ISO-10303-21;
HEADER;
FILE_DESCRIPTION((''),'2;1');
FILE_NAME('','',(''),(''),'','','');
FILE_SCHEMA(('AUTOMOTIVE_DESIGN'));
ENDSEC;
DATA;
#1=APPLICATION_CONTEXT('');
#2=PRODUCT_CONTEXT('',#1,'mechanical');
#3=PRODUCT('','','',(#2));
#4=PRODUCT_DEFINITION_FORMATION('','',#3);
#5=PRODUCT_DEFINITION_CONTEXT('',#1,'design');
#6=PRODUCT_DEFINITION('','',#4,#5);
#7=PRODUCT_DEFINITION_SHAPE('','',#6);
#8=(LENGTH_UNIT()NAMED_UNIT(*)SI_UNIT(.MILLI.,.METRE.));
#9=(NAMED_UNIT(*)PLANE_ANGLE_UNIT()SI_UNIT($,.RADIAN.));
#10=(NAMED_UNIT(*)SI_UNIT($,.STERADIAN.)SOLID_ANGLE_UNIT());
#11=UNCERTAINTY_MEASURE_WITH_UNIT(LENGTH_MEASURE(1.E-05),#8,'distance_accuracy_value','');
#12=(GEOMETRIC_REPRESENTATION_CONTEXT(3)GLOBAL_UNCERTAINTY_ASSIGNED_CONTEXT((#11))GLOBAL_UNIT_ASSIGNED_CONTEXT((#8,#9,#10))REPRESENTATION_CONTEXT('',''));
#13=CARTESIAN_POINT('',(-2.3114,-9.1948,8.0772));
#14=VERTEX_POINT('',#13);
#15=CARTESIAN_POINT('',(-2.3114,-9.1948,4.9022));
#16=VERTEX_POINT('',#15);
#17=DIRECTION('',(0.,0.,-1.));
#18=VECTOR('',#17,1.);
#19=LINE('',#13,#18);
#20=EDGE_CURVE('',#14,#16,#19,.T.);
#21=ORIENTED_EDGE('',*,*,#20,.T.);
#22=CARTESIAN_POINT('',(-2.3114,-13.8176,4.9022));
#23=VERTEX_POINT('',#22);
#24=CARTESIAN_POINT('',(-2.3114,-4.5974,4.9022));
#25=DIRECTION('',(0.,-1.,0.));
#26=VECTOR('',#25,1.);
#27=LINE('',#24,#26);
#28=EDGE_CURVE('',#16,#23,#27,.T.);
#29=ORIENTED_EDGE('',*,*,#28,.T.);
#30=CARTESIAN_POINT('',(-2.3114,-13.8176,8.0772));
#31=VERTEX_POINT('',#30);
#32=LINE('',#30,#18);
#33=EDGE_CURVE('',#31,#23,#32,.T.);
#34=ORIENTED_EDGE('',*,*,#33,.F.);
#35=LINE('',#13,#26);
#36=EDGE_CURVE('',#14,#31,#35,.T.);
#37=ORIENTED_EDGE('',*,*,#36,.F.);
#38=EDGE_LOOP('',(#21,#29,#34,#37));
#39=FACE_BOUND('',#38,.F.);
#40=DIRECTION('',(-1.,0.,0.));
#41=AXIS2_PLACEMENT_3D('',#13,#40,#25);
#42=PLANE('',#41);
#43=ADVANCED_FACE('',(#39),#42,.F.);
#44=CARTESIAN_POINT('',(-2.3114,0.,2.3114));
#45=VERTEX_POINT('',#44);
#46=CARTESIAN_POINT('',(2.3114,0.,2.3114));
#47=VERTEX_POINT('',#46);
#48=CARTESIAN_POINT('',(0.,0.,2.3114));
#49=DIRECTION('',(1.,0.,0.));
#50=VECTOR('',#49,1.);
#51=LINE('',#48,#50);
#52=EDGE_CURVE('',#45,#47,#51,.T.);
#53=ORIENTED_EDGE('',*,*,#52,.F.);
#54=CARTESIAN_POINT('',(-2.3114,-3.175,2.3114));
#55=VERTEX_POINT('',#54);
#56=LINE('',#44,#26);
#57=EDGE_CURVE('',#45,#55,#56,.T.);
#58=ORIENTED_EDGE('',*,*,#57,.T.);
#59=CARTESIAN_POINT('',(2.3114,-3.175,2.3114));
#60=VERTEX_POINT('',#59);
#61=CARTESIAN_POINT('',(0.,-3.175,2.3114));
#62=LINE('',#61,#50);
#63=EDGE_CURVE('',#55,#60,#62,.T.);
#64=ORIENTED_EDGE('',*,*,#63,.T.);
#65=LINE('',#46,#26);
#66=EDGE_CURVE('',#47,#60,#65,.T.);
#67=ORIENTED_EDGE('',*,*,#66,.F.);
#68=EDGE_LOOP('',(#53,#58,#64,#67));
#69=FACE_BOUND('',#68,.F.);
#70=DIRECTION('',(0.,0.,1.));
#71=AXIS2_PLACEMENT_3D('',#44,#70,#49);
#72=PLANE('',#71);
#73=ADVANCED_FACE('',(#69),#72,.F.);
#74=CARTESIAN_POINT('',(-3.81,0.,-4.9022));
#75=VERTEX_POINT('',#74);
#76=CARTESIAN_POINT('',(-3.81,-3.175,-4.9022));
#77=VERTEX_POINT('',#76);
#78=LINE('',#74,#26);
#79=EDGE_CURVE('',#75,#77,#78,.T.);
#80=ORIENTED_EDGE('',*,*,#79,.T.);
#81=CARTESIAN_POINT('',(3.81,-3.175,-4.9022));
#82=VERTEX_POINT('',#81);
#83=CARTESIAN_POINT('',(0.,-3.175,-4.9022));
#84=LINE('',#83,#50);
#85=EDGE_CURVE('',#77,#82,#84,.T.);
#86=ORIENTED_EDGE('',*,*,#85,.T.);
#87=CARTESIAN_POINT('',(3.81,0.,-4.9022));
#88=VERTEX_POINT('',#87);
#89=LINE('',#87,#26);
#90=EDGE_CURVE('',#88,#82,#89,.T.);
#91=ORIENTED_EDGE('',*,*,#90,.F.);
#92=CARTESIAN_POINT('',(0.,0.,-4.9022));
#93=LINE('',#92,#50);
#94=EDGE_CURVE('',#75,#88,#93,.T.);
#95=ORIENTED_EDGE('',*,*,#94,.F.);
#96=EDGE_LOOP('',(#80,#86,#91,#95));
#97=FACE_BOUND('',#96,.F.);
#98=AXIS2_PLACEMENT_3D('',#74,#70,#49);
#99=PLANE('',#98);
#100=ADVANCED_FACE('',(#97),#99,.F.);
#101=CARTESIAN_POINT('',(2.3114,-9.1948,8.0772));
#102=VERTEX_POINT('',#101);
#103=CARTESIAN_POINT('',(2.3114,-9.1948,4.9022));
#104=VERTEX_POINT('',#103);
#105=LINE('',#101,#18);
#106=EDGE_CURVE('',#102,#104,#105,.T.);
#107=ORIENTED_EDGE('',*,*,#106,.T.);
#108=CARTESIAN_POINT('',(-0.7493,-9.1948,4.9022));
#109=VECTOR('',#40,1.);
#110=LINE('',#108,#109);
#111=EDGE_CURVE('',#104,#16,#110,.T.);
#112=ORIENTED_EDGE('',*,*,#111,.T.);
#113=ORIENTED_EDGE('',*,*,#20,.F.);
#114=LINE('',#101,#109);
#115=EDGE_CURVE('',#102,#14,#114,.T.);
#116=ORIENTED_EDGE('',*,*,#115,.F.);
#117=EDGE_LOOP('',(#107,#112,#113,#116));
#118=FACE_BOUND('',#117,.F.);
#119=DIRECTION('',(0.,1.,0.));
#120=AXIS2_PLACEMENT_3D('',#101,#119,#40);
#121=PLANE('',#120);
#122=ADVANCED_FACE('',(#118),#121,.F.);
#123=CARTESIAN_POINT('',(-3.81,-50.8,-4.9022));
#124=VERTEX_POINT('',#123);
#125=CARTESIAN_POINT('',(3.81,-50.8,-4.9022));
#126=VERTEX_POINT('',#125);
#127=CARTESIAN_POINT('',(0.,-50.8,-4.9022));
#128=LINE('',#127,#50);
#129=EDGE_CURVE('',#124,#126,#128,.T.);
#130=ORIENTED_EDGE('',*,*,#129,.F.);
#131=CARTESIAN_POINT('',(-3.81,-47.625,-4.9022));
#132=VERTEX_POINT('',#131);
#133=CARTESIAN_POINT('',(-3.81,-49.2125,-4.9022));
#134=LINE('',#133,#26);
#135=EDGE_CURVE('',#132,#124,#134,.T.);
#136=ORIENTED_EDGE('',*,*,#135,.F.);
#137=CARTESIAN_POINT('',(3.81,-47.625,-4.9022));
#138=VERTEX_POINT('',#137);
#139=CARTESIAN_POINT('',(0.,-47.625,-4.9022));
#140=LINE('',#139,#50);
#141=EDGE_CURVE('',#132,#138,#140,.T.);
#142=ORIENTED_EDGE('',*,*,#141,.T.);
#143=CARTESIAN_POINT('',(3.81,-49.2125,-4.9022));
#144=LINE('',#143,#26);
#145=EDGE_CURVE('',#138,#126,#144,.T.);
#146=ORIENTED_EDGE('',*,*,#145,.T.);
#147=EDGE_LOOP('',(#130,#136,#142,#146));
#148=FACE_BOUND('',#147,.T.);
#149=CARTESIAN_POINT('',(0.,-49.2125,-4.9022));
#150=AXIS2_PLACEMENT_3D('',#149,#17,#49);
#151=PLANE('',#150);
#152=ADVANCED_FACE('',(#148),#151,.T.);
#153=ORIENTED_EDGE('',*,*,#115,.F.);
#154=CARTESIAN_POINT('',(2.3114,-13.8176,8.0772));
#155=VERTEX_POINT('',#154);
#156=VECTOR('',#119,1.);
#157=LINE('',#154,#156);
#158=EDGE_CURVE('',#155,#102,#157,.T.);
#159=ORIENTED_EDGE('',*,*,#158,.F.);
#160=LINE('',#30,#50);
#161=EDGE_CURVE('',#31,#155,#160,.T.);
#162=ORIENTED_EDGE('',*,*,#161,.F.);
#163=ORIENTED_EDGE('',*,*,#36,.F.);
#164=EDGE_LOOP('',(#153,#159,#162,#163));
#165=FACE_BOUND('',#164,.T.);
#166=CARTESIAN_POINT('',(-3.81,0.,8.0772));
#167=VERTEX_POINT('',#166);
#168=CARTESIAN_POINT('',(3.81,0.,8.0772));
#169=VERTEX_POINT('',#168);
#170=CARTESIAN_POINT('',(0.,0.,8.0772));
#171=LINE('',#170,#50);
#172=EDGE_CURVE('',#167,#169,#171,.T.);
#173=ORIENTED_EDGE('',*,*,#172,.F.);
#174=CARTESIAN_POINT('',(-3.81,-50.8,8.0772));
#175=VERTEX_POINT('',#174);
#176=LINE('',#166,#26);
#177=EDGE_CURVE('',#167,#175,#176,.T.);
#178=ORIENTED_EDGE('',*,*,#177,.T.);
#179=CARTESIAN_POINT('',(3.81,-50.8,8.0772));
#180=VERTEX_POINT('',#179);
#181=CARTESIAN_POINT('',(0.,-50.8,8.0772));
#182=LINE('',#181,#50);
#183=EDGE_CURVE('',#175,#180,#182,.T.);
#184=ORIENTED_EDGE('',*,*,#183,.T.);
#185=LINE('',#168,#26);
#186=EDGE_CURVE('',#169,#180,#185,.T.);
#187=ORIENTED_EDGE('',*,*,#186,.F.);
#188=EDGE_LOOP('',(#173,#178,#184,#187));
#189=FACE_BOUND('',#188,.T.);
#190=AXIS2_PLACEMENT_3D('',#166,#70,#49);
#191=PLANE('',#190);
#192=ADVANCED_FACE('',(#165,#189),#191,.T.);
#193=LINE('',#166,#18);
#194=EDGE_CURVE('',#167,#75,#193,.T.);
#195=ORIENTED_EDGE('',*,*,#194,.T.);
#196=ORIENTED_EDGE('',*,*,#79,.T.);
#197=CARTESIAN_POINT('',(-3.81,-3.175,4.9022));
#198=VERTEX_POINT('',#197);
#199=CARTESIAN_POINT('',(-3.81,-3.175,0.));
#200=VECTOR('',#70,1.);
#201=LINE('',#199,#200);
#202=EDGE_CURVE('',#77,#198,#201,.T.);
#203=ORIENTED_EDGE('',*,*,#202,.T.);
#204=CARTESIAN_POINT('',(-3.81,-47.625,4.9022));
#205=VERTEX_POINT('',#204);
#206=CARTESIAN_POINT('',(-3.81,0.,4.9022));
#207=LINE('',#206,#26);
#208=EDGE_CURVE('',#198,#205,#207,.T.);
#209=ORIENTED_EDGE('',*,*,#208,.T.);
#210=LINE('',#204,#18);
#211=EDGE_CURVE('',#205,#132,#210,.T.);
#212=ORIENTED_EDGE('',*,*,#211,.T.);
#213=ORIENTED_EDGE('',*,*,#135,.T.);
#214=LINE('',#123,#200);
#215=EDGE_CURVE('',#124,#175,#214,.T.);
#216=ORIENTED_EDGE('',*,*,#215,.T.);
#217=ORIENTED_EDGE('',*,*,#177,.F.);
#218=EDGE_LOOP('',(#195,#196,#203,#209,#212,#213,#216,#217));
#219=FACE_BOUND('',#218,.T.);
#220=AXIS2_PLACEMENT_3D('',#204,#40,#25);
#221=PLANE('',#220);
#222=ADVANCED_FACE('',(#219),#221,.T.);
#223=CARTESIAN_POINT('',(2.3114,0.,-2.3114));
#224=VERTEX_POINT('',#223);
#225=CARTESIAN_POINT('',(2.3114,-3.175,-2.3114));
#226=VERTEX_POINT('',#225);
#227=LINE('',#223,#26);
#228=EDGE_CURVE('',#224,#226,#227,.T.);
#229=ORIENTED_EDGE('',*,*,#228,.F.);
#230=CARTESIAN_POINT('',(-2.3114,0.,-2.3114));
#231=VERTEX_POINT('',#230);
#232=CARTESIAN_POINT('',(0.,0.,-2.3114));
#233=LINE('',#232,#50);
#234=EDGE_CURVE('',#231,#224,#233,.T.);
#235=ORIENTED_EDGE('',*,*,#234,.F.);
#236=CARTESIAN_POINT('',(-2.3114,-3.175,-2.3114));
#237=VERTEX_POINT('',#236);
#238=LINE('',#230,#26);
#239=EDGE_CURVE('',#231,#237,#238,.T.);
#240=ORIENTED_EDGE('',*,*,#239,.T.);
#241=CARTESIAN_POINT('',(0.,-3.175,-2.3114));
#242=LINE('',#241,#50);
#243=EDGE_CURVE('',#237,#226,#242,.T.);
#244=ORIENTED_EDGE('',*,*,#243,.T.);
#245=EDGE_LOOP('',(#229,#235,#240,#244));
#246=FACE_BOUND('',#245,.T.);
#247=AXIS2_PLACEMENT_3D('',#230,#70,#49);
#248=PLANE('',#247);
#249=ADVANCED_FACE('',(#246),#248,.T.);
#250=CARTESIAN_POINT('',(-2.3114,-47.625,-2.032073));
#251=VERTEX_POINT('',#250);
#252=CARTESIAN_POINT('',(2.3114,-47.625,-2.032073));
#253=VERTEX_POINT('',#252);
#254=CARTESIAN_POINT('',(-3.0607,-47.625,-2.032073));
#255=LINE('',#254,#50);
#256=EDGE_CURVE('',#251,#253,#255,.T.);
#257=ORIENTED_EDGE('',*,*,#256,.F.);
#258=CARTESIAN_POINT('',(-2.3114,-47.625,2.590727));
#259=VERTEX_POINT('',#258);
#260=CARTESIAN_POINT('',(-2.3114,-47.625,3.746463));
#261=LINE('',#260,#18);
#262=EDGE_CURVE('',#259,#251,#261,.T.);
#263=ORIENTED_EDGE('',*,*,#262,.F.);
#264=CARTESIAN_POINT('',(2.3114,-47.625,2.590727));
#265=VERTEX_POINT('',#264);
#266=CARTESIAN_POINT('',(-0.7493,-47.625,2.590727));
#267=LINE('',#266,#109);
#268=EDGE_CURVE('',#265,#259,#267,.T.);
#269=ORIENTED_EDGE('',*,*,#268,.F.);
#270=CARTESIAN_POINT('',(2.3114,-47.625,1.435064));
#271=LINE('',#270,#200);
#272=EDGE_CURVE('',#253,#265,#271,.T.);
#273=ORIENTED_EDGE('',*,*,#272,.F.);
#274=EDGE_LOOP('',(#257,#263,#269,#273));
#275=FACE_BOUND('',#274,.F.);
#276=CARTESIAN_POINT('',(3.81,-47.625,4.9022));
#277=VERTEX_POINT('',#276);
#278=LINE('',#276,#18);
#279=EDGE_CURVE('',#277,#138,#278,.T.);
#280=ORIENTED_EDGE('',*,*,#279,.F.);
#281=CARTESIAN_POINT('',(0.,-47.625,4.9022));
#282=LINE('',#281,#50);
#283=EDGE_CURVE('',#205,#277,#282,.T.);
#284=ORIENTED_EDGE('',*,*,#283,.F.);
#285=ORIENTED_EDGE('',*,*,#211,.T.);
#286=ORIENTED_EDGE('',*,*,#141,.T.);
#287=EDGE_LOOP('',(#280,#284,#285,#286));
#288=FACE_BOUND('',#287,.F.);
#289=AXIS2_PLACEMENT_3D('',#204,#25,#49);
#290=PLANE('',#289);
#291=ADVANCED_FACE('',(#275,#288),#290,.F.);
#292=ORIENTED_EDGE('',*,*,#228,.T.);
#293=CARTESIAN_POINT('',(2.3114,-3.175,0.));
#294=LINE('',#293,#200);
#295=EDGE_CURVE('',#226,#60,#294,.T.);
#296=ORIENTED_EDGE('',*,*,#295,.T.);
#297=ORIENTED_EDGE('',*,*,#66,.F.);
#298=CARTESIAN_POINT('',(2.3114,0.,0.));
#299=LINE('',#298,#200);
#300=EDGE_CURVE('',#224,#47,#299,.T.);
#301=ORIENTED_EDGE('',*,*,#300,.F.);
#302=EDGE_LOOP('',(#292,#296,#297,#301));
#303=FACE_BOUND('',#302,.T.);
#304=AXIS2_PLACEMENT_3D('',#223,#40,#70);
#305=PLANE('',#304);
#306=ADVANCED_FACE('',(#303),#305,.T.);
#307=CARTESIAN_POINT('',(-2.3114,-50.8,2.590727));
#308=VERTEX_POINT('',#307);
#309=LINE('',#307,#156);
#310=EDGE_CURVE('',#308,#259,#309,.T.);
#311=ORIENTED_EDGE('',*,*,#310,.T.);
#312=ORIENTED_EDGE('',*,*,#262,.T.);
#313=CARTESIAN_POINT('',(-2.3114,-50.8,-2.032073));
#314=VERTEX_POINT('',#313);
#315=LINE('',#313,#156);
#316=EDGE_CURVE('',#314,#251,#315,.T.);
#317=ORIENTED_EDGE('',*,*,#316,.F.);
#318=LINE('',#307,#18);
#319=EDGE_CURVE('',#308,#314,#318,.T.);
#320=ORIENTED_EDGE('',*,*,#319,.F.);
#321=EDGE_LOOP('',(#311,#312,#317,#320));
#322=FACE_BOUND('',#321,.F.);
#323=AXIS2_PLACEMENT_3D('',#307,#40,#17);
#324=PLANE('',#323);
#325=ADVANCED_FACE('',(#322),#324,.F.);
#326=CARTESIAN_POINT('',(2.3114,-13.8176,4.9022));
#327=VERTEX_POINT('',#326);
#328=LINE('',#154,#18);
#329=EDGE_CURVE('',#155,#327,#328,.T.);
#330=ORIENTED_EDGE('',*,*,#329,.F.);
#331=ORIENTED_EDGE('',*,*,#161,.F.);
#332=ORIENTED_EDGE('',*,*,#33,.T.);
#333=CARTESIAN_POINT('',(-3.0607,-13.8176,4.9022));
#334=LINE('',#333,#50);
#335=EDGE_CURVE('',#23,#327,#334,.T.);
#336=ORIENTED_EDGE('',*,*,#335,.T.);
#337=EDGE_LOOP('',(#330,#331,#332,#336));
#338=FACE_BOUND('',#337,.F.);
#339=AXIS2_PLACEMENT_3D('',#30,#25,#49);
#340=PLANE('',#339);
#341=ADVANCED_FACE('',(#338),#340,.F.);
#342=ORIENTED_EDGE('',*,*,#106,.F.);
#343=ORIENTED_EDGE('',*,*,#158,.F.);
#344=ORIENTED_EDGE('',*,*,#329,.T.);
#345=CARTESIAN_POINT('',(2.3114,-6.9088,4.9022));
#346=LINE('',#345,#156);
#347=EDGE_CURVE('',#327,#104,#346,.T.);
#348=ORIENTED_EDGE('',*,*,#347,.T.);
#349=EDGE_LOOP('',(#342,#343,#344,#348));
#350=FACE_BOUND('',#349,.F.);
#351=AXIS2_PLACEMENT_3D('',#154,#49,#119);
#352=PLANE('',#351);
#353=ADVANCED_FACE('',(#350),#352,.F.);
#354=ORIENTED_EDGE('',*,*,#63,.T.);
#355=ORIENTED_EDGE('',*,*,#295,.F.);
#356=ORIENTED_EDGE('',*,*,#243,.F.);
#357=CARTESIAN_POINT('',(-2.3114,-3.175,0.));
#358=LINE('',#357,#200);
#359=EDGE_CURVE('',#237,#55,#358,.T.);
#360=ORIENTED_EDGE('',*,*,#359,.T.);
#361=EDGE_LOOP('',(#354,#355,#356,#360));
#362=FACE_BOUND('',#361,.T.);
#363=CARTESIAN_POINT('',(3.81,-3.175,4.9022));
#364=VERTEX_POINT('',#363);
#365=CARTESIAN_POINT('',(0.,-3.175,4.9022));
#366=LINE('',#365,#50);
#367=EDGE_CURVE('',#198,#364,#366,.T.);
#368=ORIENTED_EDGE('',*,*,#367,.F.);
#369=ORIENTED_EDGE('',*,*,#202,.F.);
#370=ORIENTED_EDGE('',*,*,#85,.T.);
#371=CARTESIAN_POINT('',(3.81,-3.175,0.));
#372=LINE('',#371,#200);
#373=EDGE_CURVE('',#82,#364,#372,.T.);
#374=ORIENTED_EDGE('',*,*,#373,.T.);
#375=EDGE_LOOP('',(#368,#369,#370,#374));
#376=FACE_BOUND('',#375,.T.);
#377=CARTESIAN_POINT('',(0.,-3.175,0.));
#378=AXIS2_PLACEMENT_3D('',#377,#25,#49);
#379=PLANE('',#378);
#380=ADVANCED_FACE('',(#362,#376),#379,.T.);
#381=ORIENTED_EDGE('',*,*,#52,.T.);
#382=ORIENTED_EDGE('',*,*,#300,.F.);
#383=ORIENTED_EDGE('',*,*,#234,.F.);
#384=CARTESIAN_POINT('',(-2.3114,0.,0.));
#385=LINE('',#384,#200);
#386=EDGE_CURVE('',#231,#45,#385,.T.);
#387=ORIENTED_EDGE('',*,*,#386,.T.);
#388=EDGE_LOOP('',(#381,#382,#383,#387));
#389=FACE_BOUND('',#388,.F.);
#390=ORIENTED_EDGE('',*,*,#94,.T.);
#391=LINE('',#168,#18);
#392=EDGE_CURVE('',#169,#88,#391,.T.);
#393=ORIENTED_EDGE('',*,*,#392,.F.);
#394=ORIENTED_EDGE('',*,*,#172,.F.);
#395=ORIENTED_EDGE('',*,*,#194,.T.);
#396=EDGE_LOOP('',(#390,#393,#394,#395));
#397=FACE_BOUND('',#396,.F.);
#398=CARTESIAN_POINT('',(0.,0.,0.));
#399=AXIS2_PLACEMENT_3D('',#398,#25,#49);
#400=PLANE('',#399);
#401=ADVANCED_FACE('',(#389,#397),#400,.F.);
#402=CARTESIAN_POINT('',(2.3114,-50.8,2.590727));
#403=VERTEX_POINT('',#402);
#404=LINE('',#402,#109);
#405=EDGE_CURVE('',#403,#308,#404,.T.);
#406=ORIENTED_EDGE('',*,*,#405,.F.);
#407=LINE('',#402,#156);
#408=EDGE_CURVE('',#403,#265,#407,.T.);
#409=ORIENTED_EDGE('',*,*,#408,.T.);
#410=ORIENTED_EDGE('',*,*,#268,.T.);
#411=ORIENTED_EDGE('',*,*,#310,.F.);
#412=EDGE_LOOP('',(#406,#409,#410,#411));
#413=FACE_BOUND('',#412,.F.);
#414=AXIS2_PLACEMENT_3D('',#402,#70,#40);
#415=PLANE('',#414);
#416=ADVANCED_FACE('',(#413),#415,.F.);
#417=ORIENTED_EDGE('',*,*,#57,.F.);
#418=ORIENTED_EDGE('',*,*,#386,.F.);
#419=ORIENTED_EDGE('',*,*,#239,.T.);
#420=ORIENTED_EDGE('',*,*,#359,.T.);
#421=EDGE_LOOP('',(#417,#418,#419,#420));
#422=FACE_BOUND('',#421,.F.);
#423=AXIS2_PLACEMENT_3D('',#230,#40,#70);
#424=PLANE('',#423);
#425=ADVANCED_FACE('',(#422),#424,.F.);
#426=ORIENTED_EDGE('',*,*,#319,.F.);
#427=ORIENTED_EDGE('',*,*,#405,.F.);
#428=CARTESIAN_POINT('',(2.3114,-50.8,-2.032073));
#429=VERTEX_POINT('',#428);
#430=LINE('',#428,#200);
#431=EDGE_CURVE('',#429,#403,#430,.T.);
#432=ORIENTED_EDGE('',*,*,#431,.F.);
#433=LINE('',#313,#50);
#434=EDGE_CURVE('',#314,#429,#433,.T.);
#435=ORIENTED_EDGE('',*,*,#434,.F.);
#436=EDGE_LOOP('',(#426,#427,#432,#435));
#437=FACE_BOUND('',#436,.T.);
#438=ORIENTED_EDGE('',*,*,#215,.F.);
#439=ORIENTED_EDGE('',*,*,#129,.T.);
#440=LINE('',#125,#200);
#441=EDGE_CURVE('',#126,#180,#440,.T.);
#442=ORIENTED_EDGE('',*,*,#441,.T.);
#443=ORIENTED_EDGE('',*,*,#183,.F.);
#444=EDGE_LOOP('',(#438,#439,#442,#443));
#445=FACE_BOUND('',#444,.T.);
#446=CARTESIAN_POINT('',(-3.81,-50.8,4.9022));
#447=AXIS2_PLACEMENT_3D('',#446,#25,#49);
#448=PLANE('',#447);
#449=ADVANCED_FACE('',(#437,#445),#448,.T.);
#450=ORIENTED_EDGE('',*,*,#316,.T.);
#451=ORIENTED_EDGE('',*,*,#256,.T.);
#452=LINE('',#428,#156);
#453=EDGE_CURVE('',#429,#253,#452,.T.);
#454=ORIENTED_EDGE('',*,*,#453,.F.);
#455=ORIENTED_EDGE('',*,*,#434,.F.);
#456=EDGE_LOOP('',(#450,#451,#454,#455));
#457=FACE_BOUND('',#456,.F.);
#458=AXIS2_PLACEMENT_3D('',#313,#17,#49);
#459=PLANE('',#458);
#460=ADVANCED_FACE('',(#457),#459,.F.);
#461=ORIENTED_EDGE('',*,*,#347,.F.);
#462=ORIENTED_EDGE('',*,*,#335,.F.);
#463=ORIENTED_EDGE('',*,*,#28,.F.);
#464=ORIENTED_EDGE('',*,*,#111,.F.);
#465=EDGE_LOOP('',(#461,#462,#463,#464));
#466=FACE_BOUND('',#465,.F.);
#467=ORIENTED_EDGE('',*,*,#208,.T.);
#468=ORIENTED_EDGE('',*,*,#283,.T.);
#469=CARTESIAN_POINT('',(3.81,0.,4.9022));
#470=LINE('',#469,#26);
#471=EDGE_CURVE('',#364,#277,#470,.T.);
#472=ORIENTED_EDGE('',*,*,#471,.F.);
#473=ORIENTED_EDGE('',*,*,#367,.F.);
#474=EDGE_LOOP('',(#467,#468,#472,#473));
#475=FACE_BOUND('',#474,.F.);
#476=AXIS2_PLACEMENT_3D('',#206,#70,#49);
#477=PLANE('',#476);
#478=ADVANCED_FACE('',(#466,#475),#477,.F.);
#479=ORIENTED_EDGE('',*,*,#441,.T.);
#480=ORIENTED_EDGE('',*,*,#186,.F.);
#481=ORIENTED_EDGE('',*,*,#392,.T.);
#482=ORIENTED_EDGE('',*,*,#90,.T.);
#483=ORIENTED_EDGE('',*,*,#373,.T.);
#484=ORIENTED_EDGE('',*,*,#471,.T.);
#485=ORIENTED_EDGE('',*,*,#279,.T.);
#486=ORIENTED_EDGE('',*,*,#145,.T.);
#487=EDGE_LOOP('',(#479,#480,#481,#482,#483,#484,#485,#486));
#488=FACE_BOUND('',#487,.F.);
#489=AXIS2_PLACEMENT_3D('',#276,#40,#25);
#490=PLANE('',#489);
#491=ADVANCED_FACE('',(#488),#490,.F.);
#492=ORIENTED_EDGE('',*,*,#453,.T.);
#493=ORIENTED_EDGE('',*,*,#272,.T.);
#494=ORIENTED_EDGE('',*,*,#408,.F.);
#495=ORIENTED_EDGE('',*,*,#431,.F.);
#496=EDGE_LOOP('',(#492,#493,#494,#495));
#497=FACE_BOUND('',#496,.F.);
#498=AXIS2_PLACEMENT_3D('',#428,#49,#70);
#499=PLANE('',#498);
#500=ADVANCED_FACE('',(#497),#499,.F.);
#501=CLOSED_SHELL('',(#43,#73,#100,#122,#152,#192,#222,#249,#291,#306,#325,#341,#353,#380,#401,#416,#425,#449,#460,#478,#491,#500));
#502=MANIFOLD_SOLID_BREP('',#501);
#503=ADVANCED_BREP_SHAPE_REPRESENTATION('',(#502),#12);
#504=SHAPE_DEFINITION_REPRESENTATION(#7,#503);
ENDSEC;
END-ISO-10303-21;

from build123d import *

# Parameters (mm, degrees)
F0_W     = 7.62
F0_H     = 3.175
F1_DEPTH = 50.8
F0_H_2   = 9.8044
F0_W_2   = 4.6228
F0_H_3   = 4.6228
F2_DEPTH = 3.175
F3_W     = 7.62
F3_H     = 3.175
F4_DEPTH = 9.8044
F6_DEPTH = 25.4
F8_DEPTH = 25.4


with BuildPart() as f1:
    # F0 (on Front) → F1 (new body)
    with BuildSketch(Plane.XZ):
        with Locations((0, 6.4897)):
            Rectangle(F0_W, F0_H)
    extrude(amount=F1_DEPTH)

    # F0 (on Front) → F2 (join)
    with BuildSketch(Plane.XZ):
        Rectangle(F0_W, F0_H_2)
        Rectangle(F0_W_2, F0_H_3, mode=Mode.SUBTRACT)
    extrude(amount=F2_DEPTH)

    # F3 (on face) → F4 (join)
    with BuildSketch(Plane(origin=(0, 0, 4.9022), x_dir=(1, 0, 0), z_dir=(0, 0, -1))):
        with Locations((0, 49.2125)):
            Rectangle(F3_W, F3_H)
    extrude(amount=F4_DEPTH)

    # F5 (on face) → F6 (cut)
    with BuildSketch(Plane.XZ.offset(50.8)):
        Polygon((2.3114, -2.032073), (2.3114, 1.5875), (2.3114, 2.590727), (-2.3114, 2.590727), (-2.3114, -2.032073), align=None)
    extrude(amount=-F6_DEPTH, mode=Mode.SUBTRACT)

    # F7 (on face) → F8 (cut)
    with BuildSketch(Plane.XY.offset(8.0772)):
        Polygon((2.3114, -9.1948), (0, -9.1948), (-2.3114, -9.1948), (-2.3114, -13.8176), (2.3114, -13.8176), align=None)
    extrude(amount=-F8_DEPTH, mode=Mode.SUBTRACT)


solid = f1.part
